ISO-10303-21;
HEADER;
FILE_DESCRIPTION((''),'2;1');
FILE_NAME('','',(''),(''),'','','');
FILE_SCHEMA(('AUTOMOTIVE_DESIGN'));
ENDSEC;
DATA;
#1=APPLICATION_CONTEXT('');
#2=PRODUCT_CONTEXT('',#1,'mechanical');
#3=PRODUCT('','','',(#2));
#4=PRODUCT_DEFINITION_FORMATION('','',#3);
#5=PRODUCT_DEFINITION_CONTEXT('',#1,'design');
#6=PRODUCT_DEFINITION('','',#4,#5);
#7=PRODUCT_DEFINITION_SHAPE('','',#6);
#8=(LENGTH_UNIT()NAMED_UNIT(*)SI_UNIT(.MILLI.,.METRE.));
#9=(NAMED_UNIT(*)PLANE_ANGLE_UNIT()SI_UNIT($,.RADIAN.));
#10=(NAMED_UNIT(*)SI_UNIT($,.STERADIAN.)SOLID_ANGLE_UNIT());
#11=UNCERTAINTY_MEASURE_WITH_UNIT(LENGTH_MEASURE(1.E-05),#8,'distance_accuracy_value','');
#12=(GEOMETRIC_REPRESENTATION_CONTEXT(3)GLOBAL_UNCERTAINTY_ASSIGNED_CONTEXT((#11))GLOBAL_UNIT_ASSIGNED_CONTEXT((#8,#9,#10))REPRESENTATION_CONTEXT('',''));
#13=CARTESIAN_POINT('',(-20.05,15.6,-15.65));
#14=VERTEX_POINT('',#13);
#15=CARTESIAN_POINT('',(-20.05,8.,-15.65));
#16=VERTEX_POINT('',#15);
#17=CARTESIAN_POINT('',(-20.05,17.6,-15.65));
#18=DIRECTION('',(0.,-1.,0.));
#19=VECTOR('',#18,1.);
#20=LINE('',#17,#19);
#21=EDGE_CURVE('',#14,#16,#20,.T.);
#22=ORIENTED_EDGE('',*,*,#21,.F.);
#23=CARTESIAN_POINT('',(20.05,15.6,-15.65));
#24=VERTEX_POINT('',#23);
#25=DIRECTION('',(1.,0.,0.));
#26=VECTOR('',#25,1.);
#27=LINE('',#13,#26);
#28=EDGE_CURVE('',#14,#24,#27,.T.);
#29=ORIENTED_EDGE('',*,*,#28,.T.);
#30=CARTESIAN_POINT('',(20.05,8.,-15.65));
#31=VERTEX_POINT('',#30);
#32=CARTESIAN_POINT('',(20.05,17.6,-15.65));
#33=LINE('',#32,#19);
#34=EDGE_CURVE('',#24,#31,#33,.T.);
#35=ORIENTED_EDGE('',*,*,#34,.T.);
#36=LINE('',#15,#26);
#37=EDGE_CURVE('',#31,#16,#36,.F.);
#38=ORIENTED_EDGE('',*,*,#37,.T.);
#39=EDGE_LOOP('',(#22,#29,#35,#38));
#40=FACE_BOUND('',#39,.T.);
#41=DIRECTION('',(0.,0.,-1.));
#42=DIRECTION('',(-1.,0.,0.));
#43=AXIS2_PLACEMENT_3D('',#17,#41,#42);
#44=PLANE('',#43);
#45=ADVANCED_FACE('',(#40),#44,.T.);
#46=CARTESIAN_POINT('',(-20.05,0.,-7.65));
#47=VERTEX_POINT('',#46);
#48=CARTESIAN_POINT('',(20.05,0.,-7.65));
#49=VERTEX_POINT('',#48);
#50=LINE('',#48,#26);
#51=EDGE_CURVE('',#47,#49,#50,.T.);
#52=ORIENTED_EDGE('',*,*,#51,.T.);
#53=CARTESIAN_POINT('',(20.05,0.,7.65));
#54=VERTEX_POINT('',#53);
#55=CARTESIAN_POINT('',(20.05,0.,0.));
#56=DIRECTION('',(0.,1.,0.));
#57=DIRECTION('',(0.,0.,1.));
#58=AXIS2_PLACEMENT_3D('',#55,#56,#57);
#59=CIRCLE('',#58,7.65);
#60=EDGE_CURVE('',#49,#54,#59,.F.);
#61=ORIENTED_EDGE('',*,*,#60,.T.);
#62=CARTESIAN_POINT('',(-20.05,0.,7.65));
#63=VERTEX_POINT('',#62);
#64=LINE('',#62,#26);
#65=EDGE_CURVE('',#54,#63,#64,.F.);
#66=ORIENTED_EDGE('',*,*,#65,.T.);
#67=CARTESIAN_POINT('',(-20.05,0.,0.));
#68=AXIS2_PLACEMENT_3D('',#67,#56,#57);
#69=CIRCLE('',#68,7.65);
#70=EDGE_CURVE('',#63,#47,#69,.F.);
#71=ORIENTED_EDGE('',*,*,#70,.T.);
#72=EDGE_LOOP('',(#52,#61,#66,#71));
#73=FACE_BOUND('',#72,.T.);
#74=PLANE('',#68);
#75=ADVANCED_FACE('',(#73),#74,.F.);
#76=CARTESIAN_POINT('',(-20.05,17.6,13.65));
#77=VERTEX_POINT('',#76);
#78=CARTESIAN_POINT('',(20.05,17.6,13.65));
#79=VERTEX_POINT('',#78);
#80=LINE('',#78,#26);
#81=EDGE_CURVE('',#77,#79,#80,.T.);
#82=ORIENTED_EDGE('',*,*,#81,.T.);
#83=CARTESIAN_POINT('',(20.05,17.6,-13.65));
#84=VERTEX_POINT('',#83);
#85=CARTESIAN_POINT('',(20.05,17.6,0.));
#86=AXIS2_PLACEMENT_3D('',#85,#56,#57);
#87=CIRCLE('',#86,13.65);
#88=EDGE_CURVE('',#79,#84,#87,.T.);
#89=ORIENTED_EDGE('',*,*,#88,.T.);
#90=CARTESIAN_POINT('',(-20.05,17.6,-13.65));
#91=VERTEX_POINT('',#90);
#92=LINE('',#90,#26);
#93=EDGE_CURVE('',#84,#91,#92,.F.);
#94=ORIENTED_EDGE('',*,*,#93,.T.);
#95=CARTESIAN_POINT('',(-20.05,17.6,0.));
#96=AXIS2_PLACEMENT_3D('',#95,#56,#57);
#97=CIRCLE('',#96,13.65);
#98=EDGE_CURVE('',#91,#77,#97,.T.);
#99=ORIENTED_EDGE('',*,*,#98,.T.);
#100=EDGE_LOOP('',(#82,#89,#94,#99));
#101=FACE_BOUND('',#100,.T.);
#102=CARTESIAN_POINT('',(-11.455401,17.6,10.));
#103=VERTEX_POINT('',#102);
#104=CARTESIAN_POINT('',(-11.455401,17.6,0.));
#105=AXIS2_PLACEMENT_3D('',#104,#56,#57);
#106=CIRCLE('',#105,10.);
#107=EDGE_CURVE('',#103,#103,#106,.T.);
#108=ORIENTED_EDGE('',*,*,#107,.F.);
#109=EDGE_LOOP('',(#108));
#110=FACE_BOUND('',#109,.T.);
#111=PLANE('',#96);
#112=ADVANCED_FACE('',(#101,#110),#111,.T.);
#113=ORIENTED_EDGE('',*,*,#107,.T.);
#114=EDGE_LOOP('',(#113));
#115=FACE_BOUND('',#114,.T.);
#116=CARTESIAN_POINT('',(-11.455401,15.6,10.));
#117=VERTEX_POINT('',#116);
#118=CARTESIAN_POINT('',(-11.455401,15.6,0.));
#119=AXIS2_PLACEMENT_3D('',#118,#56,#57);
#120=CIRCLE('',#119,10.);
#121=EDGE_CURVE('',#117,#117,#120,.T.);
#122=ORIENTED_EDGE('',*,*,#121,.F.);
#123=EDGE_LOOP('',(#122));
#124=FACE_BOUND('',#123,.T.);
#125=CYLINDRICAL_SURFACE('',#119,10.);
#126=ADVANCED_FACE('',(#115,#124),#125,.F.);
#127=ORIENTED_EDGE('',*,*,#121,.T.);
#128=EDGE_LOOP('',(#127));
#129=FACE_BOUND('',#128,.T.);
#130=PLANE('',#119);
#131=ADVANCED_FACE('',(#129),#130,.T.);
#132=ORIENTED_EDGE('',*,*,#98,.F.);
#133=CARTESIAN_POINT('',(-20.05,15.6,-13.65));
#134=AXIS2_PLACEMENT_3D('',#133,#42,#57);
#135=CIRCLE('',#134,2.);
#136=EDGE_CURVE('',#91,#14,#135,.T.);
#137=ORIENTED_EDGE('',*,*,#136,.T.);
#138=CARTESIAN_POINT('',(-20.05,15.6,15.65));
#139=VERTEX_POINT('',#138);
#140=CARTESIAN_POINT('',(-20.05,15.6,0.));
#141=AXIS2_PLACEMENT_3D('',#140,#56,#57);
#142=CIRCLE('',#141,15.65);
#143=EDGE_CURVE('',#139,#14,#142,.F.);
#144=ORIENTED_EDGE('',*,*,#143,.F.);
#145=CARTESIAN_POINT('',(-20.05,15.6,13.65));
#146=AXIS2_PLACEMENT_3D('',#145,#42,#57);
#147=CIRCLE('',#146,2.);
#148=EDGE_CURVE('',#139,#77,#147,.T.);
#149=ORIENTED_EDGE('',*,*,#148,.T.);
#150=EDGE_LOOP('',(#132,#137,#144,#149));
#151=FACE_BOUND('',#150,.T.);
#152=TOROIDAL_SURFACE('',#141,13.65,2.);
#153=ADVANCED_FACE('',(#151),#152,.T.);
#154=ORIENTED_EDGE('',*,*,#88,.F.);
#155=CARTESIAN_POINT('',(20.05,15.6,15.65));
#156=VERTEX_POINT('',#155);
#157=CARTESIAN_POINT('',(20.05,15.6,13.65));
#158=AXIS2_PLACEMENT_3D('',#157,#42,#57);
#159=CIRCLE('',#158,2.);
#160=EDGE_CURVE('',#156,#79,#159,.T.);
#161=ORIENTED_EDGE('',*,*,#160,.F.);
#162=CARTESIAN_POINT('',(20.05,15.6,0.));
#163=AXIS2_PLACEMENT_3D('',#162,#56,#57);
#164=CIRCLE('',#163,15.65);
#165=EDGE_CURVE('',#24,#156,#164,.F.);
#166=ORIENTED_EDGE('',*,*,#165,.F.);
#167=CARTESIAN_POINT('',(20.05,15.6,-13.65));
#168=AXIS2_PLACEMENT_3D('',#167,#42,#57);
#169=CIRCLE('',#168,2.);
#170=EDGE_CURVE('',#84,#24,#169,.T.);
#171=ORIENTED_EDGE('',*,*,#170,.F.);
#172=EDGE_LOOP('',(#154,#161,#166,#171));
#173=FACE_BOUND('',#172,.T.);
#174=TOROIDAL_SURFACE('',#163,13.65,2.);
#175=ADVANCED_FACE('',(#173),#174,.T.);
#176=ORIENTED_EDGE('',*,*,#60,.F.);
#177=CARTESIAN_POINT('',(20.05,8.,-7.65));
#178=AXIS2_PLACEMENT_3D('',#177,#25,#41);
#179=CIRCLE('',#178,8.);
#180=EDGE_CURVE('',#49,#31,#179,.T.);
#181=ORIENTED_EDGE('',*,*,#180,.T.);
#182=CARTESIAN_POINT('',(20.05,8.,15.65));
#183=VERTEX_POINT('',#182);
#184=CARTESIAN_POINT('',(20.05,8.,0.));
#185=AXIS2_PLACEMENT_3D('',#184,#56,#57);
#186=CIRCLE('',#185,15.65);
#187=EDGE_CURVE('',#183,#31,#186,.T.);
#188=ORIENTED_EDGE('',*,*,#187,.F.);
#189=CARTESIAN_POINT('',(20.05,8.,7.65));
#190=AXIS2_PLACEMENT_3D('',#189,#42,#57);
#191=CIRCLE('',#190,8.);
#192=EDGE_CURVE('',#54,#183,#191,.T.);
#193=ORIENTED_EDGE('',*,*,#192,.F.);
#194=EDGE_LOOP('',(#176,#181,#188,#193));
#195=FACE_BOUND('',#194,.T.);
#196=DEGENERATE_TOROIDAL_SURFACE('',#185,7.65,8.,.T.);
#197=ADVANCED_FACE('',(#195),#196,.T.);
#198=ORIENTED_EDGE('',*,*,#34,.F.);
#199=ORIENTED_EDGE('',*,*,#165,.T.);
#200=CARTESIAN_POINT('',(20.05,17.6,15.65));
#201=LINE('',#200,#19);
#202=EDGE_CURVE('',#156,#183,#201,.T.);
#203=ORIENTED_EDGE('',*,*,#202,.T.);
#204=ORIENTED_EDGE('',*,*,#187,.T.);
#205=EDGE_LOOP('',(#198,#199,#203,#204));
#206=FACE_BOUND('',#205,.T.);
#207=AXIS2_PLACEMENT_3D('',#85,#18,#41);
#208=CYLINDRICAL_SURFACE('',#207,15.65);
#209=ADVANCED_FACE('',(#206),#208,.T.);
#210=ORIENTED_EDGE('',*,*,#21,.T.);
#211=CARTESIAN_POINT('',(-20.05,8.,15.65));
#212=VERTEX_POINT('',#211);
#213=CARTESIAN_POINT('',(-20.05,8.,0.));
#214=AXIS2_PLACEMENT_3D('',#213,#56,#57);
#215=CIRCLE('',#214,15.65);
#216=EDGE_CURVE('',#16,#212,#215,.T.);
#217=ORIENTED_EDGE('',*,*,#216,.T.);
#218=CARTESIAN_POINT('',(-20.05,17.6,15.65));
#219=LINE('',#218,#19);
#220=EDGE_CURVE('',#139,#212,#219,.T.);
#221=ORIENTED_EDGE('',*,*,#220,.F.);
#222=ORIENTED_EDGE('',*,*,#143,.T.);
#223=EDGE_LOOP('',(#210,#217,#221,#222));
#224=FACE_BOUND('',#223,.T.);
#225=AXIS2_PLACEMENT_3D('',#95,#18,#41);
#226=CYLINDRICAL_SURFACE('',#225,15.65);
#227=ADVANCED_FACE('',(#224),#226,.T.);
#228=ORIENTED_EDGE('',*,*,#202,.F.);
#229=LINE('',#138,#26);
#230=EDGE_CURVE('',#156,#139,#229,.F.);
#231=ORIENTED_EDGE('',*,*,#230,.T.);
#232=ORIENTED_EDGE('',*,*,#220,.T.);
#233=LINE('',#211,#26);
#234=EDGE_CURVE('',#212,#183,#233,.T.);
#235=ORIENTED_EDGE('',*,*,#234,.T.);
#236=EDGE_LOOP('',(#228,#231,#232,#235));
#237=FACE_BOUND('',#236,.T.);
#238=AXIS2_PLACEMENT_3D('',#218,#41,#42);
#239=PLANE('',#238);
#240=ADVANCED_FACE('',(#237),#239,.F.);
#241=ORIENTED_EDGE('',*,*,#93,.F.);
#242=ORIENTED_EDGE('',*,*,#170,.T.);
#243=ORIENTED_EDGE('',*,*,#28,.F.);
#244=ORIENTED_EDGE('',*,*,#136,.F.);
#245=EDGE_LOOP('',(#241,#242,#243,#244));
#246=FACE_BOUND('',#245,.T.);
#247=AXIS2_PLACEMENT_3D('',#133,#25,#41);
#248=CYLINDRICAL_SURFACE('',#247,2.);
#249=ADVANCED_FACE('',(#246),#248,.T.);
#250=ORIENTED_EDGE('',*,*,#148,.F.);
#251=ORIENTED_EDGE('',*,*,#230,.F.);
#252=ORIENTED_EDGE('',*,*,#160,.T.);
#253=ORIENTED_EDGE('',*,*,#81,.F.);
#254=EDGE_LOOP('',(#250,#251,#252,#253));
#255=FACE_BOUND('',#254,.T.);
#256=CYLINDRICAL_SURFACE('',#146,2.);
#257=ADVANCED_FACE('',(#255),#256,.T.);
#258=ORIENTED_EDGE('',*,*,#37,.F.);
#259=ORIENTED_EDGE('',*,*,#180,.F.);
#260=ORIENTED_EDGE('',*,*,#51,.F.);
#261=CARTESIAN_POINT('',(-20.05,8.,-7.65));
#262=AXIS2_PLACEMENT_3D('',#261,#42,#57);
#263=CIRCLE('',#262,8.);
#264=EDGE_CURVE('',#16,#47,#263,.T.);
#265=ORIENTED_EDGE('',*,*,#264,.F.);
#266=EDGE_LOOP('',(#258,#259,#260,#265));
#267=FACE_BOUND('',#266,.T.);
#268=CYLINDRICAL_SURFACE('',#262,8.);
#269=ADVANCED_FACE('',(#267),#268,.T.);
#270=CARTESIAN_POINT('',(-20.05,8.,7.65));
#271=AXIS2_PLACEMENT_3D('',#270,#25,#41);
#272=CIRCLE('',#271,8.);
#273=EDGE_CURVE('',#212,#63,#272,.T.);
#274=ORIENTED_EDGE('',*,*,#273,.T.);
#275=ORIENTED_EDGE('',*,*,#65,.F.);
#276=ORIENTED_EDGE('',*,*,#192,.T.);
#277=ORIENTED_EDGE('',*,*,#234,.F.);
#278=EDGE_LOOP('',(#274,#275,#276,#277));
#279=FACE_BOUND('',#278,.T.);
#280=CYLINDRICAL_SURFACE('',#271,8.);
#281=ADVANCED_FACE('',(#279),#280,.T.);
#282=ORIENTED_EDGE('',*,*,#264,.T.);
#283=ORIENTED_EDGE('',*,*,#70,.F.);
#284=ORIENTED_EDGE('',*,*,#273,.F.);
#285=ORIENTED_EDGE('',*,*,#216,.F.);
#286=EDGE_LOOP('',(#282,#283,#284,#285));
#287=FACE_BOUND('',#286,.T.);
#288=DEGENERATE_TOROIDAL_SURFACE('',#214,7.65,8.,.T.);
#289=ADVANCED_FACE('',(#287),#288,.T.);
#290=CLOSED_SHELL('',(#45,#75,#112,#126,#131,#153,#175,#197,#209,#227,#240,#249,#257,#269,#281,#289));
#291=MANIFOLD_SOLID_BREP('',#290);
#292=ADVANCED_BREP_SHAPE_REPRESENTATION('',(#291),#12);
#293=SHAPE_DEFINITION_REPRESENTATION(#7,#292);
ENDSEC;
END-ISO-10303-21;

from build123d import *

# Parameters (mm, degrees)
EXTRUDE_1_DEPTH     = 17.6
FILLET_2_R          = 2
FILLET_3_R          = 8
SKETCH_2_R          = 10
CUT_EXTRUDE_1_DEPTH = 2


with BuildPart() as part:
    # 草圖1 → 填料-伸長1 (new body)
    with BuildSketch(Plane(origin=(0, 0, 0), x_dir=(1, 0, 0), z_dir=(0, 1, 0))):
        with BuildLine():
            Line((-20.05, 15.65), (20.05, 15.65))
            ThreePointArc((20.05, 15.65), (35.7, 0), (20.05, -15.65))
            Line((20.05, -15.65), (-20.05, -15.65))
            ThreePointArc((-20.05, -15.65), (-35.7, 0), (-20.05, 15.65))
        make_face()
    extrude(amount=EXTRUDE_1_DEPTH)

    # 圓角2
    fillet_2_edges = [part.edges().sort_by_distance(p)[0] for p in [
        (35.7, 17.6, 0),
        (0, 17.6, -15.65),
        (-35.7, 17.6, 0),
        (0, 17.6, 15.65),
    ]]
    fillet(fillet_2_edges, radius=FILLET_2_R)

    # 圓角3
    fillet_3_edges = [part.edges().sort_by_distance(p)[0] for p in [
        (0, 0, -15.65),
        (35.7, 0, 0),
        (0, 0, 15.65),
        (-35.7, 0, 0),
    ]]
    fillet(fillet_3_edges, radius=FILLET_3_R)

    # 草圖2 → 除料-伸長1 (cut)
    with BuildSketch(Plane(origin=(0, 17.6, 0), x_dir=(1, 0, 0), z_dir=(0, 1, 0))):
        with Locations(Location((-11.455400627, 0, 0), (0, 0, 270))):
            Circle(SKETCH_2_R)
    extrude(amount=-CUT_EXTRUDE_1_DEPTH, mode=Mode.SUBTRACT)


solid = part.part
